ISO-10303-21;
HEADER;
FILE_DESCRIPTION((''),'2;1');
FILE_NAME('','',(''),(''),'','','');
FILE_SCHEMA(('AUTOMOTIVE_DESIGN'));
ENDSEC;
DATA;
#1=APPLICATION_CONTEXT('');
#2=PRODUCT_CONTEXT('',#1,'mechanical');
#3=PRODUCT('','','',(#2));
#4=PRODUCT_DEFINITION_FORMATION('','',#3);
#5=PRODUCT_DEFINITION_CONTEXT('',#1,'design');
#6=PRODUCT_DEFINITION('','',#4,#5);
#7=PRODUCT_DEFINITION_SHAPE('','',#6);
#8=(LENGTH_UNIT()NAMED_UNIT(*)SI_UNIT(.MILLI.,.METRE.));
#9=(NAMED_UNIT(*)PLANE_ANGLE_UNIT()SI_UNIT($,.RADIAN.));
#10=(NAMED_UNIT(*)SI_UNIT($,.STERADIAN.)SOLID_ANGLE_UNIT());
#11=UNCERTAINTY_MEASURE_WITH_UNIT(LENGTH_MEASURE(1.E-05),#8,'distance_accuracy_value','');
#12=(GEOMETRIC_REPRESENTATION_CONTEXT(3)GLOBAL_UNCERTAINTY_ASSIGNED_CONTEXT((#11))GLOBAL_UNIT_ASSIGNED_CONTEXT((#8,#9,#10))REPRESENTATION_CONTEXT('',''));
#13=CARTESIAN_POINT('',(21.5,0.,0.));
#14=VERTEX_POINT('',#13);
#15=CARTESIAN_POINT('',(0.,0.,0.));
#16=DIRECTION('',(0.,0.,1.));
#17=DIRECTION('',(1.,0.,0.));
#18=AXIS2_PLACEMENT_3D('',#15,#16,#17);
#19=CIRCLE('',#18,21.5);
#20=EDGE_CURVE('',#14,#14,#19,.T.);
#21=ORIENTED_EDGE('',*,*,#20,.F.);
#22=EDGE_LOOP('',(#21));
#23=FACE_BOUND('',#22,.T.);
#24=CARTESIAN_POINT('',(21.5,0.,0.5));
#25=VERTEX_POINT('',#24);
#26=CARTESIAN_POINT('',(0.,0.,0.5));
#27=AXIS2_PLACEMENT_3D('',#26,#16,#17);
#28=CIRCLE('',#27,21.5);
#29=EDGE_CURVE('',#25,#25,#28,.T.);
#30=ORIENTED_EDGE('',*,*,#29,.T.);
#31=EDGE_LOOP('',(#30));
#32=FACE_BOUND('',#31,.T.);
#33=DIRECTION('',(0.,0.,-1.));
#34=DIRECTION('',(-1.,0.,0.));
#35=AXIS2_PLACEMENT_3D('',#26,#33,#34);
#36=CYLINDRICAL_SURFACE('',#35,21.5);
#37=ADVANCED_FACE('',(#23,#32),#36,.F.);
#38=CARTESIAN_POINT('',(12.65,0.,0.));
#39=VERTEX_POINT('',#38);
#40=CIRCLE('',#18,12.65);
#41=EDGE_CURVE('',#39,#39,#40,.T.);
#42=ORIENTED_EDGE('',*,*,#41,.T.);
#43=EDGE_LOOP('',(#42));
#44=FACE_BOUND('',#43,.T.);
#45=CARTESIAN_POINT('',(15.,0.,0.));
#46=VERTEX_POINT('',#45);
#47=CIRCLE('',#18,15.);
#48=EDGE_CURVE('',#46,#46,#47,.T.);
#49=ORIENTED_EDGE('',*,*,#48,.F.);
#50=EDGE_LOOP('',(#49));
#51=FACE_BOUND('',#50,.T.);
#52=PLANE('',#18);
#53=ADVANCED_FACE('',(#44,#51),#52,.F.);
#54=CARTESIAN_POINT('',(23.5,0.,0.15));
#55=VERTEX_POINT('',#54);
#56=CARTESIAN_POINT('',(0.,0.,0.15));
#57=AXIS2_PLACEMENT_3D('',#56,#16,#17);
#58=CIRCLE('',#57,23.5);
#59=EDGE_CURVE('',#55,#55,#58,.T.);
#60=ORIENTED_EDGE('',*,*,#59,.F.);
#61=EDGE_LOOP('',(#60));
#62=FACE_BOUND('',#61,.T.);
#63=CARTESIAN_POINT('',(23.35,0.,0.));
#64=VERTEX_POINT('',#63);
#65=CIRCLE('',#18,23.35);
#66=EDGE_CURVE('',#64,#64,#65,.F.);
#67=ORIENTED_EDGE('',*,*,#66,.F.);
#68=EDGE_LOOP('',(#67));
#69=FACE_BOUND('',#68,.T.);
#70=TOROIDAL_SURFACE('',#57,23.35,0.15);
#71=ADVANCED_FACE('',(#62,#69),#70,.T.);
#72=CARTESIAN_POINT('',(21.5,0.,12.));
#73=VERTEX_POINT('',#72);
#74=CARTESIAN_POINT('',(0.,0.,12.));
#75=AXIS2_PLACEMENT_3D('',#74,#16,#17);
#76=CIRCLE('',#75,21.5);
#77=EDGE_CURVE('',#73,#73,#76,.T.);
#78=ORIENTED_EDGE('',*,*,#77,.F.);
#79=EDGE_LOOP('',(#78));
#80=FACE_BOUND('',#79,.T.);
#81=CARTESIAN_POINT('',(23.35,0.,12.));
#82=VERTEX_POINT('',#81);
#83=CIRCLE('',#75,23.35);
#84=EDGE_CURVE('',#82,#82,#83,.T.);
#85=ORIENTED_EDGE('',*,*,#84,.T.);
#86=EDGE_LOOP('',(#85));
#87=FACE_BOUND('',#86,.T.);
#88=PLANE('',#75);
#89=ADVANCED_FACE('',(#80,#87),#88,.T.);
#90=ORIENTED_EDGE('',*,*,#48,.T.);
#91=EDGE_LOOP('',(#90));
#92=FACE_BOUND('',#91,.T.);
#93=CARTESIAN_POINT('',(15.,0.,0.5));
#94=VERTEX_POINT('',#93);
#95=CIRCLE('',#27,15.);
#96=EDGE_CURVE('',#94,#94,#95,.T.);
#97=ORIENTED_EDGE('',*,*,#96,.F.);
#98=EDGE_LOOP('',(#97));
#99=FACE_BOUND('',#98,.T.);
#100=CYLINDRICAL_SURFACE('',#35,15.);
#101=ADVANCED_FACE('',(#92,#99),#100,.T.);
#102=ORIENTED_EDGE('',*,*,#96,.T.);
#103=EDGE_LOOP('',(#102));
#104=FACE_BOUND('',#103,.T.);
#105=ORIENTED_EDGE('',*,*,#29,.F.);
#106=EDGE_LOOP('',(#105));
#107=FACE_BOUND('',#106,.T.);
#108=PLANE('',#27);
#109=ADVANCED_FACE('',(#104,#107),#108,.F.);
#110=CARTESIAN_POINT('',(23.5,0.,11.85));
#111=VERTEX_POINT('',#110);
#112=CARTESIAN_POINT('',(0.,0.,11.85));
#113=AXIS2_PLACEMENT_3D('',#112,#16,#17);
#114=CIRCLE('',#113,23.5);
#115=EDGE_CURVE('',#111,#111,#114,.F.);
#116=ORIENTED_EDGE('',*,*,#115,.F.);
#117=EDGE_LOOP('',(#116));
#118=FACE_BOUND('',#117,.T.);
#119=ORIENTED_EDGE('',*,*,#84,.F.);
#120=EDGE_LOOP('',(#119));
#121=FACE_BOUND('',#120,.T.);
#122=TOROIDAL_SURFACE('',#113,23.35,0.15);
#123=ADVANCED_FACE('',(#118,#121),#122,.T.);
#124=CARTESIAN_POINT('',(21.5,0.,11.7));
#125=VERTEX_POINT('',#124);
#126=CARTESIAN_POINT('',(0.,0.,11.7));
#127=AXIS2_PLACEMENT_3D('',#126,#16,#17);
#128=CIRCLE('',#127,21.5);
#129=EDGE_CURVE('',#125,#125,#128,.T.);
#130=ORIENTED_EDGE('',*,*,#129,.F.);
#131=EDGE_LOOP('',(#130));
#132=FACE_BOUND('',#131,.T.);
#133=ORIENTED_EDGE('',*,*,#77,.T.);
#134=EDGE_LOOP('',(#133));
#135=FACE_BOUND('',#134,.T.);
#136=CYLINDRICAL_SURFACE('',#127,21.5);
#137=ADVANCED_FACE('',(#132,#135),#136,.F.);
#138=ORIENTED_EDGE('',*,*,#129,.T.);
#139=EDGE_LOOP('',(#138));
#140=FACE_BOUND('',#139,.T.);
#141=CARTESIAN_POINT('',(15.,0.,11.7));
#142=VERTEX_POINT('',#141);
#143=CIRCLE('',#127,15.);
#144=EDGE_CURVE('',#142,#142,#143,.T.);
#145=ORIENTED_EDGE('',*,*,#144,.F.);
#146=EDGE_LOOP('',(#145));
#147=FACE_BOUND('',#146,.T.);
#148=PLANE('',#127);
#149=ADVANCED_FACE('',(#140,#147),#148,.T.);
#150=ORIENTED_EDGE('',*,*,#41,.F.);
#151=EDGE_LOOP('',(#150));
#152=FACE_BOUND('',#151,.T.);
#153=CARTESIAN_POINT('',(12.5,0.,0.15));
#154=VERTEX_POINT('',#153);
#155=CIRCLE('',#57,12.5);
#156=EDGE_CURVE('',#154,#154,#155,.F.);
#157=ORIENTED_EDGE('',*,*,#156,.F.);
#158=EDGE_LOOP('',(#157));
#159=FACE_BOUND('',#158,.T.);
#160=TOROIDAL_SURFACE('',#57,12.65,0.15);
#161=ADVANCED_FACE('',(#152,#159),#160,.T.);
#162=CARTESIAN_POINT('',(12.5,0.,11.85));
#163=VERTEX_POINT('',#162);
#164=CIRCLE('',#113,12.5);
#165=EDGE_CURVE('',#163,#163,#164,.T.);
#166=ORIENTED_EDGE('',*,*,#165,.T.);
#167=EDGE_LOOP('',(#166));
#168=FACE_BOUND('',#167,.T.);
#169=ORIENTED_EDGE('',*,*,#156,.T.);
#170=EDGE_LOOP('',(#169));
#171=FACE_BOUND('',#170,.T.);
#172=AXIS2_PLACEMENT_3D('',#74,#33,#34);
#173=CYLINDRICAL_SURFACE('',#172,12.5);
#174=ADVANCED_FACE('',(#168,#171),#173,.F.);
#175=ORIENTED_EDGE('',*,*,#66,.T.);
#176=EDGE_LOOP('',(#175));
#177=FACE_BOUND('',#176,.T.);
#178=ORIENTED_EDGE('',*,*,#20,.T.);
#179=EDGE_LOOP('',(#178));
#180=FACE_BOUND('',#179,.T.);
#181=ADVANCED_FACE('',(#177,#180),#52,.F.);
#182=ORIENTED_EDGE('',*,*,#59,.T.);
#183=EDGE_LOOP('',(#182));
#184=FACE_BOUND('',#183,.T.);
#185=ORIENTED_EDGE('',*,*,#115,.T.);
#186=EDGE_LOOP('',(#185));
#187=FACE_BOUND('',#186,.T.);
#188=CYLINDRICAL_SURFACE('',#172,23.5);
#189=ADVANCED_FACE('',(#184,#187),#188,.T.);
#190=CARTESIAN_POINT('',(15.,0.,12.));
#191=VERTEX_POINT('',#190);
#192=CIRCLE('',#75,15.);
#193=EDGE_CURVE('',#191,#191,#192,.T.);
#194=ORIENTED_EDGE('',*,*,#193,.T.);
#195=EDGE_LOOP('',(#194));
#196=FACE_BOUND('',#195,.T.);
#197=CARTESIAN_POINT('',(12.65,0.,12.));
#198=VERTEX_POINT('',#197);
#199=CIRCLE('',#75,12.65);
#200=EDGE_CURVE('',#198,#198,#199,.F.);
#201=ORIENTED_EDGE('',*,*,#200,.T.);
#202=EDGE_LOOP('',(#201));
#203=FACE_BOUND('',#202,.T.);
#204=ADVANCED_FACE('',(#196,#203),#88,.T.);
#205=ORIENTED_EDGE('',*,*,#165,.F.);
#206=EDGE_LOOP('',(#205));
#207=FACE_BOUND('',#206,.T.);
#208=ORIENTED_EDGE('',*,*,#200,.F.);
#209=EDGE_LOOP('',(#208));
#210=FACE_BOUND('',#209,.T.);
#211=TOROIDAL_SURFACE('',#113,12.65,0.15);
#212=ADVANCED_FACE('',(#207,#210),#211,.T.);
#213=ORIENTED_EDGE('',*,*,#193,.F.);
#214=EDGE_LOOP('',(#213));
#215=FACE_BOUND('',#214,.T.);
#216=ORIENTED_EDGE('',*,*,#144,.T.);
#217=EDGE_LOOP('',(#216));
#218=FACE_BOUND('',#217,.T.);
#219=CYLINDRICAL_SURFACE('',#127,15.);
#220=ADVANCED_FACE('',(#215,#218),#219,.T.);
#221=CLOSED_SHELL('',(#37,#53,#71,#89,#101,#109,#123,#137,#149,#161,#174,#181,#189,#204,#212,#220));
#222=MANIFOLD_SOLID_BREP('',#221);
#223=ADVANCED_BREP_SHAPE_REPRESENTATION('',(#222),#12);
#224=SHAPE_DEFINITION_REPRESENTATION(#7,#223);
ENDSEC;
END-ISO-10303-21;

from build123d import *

# Parameters (mm, degrees)
SKETCH1_R           = 23.5
SKETCH1_R_2         = 12.5
BOSS_EXTRUDE1_DEPTH = 12
SKETCH2_R           = 21.5
SKETCH2_R_2         = 15
CUT_EXTRUDE1_DEPTH  = 0.3
CUT_EXTRUDE2_START  = -11.5
SKETCH2_2_R         = 21.5
SKETCH2_2_R_2       = 15
CUT_EXTRUDE2_DEPTH  = 0.5
FILLET1_R           = 0.15


with BuildPart() as part:
    # Sketch1 → Boss-Extrude1 (new body)
    with BuildSketch(Plane.XY):
        Circle(SKETCH1_R)
        Circle(SKETCH1_R_2, mode=Mode.SUBTRACT)
    extrude(amount=BOSS_EXTRUDE1_DEPTH)

    # Sketch2 → Cut-Extrude1 (cut)
    with BuildSketch(Plane.XY.offset(12)):
        Circle(SKETCH2_R)
        Circle(SKETCH2_R_2, mode=Mode.SUBTRACT)
    extrude(amount=-CUT_EXTRUDE1_DEPTH, mode=Mode.SUBTRACT)

    # Sketch2<2> → Cut-Extrude2 (cut)
    with BuildSketch(Plane.XY.offset(12).offset(CUT_EXTRUDE2_START)):
        Circle(SKETCH2_2_R)
        Circle(SKETCH2_2_R_2, mode=Mode.SUBTRACT)
    extrude(amount=-CUT_EXTRUDE2_DEPTH, mode=Mode.SUBTRACT)

    # Fillet1
    fillet1_edges = [part.edges().sort_by_distance(p)[0] for p in [
        (-23.5, 0, 0),
        (-23.5, 0, 12),
        (-12.5, 0, 0),
        (-12.5, 0, 12),
    ]]
    fillet(fillet1_edges, radius=FILLET1_R)


solid = part.part
